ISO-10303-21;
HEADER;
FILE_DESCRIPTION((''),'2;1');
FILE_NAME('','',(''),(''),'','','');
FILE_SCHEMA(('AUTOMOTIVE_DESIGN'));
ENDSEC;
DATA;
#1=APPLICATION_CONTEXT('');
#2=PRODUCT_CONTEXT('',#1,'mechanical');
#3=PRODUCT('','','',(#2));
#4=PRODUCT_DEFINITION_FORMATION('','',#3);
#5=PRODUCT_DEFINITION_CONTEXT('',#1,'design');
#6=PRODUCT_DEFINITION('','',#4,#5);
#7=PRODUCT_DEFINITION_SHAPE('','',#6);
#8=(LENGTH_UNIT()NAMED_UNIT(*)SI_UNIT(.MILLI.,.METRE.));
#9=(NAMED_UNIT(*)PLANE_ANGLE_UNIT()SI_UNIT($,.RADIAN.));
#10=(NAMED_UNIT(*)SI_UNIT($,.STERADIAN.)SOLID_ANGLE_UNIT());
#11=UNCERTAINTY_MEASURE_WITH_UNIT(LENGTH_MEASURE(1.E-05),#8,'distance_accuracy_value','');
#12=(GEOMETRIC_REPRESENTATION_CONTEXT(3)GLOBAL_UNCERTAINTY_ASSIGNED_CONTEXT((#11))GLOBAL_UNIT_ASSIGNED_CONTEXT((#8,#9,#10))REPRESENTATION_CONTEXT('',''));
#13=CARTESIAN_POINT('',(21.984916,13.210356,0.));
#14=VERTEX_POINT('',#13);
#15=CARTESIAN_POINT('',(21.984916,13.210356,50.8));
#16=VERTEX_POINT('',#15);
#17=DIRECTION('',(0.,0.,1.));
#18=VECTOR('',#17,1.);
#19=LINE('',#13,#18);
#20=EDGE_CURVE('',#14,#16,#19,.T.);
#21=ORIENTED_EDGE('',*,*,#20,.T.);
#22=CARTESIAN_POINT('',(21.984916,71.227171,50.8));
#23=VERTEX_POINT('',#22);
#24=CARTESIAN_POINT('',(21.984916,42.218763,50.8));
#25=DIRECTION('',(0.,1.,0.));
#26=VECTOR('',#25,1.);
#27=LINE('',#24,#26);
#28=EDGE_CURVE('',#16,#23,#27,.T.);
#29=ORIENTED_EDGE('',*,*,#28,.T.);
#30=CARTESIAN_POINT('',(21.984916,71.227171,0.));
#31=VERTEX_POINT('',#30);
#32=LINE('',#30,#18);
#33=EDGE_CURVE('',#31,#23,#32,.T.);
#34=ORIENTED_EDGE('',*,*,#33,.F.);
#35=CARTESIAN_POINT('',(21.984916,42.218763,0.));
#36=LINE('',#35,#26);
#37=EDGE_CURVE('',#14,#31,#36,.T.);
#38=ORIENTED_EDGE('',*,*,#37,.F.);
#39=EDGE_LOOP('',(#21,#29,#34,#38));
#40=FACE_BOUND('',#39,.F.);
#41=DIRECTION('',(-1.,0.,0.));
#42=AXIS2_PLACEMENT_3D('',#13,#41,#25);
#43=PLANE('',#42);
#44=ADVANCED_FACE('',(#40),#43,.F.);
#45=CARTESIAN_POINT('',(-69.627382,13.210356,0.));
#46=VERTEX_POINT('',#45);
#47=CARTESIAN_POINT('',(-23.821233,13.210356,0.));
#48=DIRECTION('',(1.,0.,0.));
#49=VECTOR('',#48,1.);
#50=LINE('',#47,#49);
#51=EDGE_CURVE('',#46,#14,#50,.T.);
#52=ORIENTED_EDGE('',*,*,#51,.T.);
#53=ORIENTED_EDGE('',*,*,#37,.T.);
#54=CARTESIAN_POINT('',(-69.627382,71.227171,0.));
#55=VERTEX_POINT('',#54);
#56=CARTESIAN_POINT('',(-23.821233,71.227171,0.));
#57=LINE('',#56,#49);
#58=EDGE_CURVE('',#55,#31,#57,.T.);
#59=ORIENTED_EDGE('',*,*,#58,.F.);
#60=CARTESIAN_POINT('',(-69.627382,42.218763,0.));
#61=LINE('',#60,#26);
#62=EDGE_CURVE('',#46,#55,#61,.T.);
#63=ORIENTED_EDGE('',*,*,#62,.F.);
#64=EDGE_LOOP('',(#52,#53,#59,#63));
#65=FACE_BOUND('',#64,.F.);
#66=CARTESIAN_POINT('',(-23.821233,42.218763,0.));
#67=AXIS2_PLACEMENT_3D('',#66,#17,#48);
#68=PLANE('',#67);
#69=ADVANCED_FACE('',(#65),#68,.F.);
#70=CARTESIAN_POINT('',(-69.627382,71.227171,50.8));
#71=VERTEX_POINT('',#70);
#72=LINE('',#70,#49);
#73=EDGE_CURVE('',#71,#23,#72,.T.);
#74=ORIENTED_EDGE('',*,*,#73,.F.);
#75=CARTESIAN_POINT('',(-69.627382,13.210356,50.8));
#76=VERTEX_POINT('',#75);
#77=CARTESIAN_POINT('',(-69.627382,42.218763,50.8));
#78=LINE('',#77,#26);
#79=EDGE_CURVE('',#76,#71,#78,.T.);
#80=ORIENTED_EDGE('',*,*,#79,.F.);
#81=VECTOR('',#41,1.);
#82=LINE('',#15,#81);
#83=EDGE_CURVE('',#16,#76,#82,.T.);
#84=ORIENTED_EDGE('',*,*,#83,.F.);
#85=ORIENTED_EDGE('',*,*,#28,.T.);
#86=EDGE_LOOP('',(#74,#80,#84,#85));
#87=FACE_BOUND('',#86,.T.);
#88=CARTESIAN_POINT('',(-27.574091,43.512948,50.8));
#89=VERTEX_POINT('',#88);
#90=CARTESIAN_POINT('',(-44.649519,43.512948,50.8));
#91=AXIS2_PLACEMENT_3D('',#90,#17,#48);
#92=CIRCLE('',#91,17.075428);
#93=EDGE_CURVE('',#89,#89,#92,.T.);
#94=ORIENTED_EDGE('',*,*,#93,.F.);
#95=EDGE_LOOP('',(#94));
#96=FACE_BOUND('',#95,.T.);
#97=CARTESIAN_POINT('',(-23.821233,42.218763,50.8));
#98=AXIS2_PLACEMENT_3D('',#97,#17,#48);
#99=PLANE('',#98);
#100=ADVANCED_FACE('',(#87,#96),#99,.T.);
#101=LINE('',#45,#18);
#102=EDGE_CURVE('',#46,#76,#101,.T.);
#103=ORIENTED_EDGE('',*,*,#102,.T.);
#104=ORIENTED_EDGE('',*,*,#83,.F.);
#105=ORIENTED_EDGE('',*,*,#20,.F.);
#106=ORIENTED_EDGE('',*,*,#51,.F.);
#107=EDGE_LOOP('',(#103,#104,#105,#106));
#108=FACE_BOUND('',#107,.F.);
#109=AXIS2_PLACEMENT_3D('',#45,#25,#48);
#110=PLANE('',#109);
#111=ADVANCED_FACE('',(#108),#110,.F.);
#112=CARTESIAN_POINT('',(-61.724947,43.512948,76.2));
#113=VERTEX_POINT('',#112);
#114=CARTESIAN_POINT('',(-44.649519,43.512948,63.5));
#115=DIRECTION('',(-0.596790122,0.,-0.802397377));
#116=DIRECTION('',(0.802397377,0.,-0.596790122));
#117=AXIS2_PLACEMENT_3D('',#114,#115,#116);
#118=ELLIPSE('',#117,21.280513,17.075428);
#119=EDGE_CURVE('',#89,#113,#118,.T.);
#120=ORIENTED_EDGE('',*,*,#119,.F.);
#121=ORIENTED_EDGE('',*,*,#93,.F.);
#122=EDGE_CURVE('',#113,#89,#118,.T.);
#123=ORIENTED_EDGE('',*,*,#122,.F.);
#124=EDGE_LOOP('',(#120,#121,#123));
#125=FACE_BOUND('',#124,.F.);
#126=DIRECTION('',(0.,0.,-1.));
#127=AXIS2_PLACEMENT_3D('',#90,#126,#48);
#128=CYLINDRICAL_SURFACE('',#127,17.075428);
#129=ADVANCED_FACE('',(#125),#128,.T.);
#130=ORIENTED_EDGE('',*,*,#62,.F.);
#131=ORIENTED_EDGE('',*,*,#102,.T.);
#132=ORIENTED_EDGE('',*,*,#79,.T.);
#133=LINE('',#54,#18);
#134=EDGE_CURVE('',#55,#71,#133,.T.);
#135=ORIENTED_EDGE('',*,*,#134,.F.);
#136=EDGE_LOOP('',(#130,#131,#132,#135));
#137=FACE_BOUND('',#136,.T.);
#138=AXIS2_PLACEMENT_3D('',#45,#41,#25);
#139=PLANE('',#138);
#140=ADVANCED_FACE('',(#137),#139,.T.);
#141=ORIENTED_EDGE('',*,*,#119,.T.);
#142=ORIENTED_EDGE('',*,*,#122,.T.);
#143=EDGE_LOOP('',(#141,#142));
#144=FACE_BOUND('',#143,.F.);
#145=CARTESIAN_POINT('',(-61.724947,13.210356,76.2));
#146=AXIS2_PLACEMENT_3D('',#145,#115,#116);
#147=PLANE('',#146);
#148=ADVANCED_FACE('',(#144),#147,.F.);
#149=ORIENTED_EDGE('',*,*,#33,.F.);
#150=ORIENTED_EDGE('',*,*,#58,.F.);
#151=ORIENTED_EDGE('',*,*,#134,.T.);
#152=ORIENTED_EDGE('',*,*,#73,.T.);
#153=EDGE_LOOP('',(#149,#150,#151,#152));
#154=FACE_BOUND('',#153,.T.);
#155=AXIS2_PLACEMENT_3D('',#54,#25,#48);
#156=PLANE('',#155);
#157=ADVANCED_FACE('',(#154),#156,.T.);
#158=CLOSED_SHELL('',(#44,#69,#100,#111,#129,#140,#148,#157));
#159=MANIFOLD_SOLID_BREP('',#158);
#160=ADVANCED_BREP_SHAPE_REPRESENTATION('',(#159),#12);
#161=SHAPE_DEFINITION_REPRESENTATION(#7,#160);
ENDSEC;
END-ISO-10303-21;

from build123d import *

# Parameters (mm, degrees)
F0_W     = 91.6122980416
F0_H     = 58.0168142915
F1_DEPTH = 50.8
F2_R     = 17.0754278952
F3_DEPTH = 25.4
F4_DEPTH = 50.8
F6_DEPTH = 58.0178142915


with BuildPart() as f1:
    # F0 (on Top) → F1 (new body)
    with BuildSketch(Plane.XY):
        with Locations((-23.8212328404, 42.2187633812)):
            Rectangle(F0_W, F0_H)
    extrude(amount=F1_DEPTH)

    # F2 (on face) → F3 (join)
    with BuildSketch(Plane.XY.offset(50.8)):
        with Locations((-44.6495191595, 43.5129478574)):
            Circle(F2_R)
    extrude(amount=F3_DEPTH)

    # F4 (add): a face of the model
    f4_faces = [f1.faces().sort_by_distance(p)[0] for p in [
        (-19.4842586334, 41.9492815522, 50.8),
    ]]
    extrude(f4_faces, amount=-F4_DEPTH)

    # F5 (on face) → F6 (cut, through all)
    with BuildSketch(Plane.XZ.offset(-13.2103562355)):
        Polygon((-27.5740912643, 76.2), (-61.7249470548, 76.2), (-27.5740912643, 50.8), align=None)
    extrude(amount=-F6_DEPTH, mode=Mode.SUBTRACT)


solid = f1.part
